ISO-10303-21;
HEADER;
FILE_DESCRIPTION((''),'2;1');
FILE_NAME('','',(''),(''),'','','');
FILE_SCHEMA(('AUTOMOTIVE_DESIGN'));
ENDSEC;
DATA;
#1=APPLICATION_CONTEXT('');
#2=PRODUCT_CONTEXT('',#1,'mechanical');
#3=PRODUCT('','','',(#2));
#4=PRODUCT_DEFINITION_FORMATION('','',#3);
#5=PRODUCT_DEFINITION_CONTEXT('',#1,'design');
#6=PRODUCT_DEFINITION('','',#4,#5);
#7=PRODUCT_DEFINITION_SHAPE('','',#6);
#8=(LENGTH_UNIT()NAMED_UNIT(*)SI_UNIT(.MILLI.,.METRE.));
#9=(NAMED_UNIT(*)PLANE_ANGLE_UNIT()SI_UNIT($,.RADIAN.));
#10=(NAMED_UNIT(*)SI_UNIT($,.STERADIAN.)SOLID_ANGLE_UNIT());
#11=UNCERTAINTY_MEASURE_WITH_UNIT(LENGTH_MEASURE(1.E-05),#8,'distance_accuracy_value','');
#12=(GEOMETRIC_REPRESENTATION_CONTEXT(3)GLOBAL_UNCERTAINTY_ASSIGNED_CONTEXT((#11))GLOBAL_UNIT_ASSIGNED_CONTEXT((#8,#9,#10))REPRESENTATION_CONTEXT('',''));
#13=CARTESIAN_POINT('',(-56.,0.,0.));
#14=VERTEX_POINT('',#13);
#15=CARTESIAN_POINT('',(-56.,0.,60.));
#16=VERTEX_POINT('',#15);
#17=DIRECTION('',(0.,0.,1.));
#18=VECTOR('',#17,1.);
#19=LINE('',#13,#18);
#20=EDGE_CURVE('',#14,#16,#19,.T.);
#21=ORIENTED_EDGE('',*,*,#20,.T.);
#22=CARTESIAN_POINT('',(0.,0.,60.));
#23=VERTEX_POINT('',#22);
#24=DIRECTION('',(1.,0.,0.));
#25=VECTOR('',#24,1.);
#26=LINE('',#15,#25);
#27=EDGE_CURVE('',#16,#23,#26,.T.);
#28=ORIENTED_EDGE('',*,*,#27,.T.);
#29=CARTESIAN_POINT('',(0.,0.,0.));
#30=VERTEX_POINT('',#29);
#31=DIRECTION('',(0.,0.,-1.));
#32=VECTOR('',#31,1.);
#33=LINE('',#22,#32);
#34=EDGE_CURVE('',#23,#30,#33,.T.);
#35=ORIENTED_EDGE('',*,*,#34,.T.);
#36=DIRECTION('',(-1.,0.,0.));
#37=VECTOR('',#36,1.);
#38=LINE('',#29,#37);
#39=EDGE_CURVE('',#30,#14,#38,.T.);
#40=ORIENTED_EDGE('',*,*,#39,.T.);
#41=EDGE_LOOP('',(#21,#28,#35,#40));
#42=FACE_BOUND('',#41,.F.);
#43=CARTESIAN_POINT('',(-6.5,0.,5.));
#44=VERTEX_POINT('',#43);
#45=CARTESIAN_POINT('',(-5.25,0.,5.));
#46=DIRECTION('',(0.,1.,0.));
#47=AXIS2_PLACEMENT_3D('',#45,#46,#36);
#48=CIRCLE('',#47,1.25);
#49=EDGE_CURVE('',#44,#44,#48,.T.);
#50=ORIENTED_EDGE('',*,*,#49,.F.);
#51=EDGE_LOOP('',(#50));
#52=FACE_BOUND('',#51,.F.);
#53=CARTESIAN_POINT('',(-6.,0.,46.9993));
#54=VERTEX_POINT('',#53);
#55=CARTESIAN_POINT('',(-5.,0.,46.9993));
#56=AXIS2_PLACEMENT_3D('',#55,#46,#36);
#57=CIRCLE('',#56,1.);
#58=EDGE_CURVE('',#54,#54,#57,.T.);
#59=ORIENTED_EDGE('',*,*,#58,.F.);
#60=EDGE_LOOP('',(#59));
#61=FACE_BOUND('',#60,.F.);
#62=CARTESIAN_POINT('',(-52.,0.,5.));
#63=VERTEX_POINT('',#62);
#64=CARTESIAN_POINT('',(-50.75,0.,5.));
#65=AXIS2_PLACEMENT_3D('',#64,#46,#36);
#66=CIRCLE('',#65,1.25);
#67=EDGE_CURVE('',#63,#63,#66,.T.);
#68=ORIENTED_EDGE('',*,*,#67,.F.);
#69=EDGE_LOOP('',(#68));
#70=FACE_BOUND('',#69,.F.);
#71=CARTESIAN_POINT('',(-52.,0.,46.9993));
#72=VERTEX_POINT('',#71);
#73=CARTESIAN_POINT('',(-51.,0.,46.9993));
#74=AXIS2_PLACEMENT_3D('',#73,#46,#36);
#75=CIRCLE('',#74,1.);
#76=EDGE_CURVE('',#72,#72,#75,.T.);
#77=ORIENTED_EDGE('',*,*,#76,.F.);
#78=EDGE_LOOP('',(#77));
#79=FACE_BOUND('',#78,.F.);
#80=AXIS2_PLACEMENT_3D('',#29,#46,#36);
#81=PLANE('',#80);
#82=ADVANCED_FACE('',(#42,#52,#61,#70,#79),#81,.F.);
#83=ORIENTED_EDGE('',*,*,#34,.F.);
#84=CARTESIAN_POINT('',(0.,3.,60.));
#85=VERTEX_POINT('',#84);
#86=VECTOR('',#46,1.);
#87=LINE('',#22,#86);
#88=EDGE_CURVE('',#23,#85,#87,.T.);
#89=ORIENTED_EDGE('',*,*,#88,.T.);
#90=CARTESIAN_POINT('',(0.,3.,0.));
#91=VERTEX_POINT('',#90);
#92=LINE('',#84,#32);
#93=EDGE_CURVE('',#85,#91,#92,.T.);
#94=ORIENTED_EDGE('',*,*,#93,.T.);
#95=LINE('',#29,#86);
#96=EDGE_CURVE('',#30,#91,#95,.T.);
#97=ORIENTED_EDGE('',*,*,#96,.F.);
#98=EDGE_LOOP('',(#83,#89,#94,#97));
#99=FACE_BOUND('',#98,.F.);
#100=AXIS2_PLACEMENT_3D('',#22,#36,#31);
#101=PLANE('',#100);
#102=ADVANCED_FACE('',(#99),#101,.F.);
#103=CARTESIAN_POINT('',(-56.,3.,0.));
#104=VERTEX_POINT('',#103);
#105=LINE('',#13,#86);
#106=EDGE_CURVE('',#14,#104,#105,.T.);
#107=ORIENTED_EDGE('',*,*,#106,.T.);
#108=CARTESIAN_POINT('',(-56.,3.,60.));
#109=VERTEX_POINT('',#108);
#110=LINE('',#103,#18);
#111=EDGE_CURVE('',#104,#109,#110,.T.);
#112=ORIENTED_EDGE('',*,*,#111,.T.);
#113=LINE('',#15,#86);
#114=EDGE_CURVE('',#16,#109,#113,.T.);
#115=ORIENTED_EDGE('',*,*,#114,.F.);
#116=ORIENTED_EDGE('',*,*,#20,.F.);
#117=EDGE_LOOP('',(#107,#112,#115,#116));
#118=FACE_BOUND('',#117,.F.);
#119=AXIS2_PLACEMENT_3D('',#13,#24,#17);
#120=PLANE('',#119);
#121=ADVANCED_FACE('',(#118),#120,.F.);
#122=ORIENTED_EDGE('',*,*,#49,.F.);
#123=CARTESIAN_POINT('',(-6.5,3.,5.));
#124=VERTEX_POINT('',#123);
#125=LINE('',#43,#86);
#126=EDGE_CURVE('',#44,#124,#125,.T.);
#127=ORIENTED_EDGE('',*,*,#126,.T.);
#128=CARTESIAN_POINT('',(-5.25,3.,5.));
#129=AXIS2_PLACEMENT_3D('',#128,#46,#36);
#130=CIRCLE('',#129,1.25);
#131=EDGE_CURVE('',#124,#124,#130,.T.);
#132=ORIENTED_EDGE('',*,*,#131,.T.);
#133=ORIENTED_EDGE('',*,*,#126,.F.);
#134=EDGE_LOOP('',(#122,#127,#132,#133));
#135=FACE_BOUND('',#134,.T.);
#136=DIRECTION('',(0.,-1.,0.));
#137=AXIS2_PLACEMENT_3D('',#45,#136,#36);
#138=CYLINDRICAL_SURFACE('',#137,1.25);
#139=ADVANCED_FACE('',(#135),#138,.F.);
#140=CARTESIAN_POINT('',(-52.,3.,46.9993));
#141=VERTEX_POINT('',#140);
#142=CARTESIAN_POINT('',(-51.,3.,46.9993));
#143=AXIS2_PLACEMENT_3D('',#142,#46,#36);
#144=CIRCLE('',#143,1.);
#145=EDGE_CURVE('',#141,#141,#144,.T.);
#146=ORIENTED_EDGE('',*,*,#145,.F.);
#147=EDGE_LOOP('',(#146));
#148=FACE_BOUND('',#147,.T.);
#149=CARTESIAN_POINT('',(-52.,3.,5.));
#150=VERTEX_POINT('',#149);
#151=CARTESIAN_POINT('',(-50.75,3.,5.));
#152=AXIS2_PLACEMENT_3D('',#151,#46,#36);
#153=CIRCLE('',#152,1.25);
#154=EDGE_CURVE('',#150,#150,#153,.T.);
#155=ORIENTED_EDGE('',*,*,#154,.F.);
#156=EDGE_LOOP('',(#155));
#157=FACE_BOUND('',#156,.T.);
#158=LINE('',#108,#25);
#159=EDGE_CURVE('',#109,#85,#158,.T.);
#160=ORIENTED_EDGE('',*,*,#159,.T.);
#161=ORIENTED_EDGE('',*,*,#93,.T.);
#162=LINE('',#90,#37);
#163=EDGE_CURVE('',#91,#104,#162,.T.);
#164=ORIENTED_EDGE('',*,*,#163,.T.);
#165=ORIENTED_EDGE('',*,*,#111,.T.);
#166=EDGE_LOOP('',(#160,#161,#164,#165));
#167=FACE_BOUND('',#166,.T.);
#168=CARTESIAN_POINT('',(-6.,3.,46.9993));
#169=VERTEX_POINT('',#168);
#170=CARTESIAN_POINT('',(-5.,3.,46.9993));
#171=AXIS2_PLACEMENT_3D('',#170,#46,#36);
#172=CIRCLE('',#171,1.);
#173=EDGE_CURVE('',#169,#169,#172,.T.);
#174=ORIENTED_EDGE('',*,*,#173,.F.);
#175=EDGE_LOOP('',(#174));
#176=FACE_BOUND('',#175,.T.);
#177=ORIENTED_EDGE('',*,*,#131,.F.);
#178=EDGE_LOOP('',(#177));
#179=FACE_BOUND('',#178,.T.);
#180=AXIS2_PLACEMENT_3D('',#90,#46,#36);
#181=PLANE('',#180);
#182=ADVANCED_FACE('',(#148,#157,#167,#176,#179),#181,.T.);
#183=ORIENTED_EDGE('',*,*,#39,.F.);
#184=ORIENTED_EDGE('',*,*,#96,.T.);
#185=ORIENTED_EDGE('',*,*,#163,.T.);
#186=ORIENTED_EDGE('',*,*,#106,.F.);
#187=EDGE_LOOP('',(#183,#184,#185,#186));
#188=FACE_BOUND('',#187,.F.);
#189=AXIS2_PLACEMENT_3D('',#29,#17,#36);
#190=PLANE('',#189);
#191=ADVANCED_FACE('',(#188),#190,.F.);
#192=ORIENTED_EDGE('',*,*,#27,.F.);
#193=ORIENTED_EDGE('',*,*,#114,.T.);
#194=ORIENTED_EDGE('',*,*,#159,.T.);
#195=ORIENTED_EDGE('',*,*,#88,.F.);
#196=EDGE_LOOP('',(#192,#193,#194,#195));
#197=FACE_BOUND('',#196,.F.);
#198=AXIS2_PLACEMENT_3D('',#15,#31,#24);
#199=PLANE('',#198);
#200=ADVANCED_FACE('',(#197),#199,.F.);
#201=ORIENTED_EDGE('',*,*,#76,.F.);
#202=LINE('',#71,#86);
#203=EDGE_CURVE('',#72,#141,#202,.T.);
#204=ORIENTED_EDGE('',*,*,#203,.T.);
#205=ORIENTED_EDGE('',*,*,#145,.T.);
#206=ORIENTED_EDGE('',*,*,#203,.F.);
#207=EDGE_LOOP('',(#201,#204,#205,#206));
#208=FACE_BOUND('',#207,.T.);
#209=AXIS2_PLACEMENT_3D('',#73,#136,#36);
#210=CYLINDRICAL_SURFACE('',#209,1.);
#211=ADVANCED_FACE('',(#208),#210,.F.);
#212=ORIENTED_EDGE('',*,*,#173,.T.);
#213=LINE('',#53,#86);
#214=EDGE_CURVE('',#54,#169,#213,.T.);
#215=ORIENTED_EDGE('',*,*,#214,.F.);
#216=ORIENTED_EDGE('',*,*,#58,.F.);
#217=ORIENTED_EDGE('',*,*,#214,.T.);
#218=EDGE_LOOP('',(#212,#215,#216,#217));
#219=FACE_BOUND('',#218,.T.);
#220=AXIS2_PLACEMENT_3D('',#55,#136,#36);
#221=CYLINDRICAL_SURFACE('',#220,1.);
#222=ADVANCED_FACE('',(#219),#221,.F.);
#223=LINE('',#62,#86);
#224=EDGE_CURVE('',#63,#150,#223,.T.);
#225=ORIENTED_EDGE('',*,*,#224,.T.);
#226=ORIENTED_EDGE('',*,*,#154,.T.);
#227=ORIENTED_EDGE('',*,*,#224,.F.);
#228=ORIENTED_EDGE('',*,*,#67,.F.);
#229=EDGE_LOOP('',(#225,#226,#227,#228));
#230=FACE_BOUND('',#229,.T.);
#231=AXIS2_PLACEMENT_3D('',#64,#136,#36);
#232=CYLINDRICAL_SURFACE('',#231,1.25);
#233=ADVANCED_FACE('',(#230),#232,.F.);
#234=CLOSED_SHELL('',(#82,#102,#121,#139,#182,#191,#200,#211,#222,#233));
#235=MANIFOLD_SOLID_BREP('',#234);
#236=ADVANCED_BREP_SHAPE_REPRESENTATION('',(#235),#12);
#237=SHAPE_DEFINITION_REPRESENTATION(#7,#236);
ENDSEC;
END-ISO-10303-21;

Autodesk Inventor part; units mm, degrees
ref_plane "YZ Plane" through (0, 0, 0) normal (1, 0, 0) x (0, 1, 0)
ref_plane "XZ Plane" through (0, 0, 0) normal (0, 1, 0) x (-1, 0, 0)
ref_plane "XY Plane" through (0, 0, 0) normal (0, 0, 1) x (1, 0, 0)
sketch "Sketch1" plane through (0, 0, 0) normal (0, 1, 0) x (-1, 0, 0)
  line L0 (0, 0) -> (56, 0)
  line L1 (56, 0) -> (56, 60)
  line L2 (56, 60) -> (0, 60)
  line L3 (0, 60) -> (0, 0)
  circle A0 centre (5.25, 5) radius 1.25
  circle A1 centre (5, 46.9993) radius 1
  line L4 (28, 60) -> (28, 0) construction
  circle A2 centre (50.75, 5) radius 1.25
  circle A3 centre (51, 46.9993) radius 1
  dimension "d0" = 56
  dimension "d1" = 60
  dimension "d4" = 2.5
  dimension "d5" = 5.25
  dimension "d6" = 5
  dimension "d7" = 2
  dimension "d8" = 5
  dimension "d9" = 42
extrude "Extrusion1" add sketch "Sketch1" along normal blind 3
properties part number "wall-front-outer-scaled"
